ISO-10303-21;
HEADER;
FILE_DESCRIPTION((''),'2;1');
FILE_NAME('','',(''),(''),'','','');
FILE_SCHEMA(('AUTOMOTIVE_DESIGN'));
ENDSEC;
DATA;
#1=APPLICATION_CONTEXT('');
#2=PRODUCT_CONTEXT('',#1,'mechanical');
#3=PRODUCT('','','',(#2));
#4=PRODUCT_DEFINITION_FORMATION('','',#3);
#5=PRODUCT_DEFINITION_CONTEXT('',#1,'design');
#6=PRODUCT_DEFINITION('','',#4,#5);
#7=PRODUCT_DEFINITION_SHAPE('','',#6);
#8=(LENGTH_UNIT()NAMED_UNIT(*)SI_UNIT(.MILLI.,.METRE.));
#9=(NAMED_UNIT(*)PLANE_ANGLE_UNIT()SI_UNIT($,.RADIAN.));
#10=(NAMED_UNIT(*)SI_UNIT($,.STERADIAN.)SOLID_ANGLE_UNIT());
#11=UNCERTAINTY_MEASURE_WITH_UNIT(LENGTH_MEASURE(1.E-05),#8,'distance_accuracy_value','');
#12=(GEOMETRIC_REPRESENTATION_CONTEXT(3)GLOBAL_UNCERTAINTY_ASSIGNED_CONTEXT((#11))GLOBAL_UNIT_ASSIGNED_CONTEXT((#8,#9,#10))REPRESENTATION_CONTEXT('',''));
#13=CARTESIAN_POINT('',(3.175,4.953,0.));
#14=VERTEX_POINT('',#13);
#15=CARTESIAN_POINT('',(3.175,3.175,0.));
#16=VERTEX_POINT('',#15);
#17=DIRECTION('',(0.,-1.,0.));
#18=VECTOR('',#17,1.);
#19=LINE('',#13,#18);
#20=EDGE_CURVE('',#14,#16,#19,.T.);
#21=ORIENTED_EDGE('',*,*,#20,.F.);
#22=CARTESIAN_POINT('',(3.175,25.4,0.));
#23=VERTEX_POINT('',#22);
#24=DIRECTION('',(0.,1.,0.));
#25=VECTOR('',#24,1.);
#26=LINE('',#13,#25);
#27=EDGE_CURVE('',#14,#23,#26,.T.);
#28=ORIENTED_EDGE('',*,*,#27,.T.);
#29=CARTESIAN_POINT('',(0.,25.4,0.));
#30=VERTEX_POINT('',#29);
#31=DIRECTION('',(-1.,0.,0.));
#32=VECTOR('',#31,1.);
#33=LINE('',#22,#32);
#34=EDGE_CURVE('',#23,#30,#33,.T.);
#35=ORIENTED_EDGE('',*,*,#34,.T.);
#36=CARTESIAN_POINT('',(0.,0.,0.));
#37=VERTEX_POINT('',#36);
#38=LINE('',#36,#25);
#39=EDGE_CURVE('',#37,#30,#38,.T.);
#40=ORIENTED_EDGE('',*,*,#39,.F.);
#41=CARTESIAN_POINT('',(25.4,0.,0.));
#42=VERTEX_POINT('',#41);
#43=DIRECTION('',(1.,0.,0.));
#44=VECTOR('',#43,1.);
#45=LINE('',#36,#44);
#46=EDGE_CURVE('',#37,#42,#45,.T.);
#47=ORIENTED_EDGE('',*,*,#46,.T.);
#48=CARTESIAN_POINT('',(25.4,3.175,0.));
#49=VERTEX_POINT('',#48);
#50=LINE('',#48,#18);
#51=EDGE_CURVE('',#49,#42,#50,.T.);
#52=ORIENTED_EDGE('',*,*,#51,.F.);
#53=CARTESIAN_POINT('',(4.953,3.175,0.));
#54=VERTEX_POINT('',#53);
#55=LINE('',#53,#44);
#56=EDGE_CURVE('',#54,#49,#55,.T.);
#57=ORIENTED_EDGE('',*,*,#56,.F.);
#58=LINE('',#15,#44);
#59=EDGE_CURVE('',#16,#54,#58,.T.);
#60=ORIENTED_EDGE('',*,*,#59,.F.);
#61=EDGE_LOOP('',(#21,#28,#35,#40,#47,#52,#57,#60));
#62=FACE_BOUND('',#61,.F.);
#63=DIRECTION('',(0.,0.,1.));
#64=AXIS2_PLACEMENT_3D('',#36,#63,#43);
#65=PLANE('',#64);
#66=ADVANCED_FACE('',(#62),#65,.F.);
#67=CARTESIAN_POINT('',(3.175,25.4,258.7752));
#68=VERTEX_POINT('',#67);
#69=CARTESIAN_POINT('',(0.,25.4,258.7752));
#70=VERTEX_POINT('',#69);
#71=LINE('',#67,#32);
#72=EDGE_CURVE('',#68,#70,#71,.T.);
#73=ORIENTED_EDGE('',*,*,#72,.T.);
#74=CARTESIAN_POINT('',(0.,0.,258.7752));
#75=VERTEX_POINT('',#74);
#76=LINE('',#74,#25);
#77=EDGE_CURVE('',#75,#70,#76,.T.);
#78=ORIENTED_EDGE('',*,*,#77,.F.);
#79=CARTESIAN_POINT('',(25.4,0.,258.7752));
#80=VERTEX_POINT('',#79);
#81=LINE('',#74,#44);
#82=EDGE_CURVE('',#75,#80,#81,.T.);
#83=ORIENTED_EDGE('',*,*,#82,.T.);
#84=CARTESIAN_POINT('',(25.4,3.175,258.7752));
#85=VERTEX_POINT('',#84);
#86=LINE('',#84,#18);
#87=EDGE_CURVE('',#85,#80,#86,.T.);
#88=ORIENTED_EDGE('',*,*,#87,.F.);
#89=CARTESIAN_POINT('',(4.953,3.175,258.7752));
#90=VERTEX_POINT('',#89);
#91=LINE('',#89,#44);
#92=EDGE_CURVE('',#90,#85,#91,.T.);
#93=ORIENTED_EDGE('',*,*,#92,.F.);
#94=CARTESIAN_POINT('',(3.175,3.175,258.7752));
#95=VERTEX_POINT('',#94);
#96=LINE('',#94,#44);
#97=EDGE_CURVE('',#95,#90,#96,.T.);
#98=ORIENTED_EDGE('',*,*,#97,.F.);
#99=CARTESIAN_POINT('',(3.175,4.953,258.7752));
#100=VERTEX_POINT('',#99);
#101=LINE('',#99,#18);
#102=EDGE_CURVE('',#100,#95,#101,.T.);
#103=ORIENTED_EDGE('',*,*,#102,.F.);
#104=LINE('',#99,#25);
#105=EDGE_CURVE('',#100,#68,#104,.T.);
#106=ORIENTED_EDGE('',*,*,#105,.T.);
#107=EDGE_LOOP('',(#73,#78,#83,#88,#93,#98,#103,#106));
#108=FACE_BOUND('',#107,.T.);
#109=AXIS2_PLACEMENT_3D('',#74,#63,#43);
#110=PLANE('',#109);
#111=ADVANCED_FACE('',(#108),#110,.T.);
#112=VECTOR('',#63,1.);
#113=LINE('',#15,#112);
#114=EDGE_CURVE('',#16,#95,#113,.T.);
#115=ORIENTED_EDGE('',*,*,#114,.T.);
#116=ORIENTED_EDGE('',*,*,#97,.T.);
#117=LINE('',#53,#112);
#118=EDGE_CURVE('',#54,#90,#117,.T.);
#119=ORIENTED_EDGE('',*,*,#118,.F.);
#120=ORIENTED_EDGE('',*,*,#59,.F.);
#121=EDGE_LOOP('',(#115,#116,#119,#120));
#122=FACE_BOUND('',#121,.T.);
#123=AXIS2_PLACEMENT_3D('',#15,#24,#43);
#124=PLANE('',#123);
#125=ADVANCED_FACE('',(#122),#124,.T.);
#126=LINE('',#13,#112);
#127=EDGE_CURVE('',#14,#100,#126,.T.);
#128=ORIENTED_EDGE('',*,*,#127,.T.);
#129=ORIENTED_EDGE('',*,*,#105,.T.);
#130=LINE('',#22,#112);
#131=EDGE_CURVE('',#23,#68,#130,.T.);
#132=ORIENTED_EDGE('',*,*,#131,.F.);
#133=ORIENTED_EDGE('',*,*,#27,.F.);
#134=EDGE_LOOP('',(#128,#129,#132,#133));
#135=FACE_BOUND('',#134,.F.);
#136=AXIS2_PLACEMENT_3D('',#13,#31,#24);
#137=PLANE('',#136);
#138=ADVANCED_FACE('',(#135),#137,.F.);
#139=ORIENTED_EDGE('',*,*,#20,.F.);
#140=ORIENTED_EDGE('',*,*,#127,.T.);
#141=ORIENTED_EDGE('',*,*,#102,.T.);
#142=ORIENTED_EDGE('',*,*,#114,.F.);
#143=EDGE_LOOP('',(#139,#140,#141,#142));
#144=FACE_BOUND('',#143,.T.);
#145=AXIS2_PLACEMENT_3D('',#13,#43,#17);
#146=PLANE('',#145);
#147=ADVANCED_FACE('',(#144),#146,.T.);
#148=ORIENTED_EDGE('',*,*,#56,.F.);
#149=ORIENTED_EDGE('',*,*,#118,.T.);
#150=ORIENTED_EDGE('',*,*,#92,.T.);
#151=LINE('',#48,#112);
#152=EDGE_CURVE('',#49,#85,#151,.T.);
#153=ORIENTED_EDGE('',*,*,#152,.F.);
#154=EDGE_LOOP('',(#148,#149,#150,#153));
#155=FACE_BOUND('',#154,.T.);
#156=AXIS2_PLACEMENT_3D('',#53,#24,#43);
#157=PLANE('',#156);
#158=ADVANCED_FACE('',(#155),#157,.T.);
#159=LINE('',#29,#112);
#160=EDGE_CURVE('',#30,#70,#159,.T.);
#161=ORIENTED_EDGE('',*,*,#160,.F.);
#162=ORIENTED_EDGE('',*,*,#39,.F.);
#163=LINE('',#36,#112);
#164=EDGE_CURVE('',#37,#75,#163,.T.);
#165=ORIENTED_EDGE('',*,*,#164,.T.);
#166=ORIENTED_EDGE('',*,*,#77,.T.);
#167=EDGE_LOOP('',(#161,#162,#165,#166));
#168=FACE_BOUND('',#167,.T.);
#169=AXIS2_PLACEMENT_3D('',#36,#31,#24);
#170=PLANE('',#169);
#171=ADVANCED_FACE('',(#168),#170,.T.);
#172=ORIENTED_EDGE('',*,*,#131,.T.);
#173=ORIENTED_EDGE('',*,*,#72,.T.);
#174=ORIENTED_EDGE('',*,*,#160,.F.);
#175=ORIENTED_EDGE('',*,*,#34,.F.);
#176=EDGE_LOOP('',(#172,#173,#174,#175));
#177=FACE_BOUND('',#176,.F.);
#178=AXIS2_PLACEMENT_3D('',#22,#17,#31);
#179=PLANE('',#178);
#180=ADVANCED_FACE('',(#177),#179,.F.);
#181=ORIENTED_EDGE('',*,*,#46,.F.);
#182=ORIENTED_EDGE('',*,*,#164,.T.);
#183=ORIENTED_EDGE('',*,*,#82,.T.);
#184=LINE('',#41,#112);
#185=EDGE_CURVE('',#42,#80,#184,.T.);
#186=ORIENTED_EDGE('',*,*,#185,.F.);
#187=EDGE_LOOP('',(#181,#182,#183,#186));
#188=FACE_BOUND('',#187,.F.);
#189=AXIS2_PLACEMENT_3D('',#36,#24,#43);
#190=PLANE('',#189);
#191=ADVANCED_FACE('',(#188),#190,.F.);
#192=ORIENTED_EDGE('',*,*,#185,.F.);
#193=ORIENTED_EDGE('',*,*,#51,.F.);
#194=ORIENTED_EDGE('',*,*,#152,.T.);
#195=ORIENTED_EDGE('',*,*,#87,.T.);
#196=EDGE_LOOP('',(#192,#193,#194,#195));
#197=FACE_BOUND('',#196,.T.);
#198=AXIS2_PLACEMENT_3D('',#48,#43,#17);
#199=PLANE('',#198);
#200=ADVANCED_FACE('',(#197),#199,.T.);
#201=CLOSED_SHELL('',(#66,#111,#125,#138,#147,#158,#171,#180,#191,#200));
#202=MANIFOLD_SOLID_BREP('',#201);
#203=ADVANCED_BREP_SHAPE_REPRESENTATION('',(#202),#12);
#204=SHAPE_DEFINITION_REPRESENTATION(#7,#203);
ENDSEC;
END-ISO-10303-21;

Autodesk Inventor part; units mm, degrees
ref_plane "YZ Plane" through (0, 0, 0) normal (1, 0, 0) x (0, 1, 0)
ref_plane "XZ Plane" through (0, 0, 0) normal (0, 1, 0) x (-1, 0, 0)
ref_plane "XY Plane" through (0, 0, 0) normal (0, 0, 1) x (1, 0, 0)
sketch "Sketch1" plane through (0, 0, 0) normal (0, 0, 1) x (1, 0, 0)
  line L0 (0, 0) -> (25.4, 0)
  line L1 (0, 0) -> (0, 25.4)
  line L2 (3.175, 4.953) -> (3.175, 25.4)
  line L3 (3.175, 25.4) -> (0, 25.4)
  line L4 (4.953, 3.175) -> (25.4, 3.175)
  line L5 (25.4, 3.175) -> (25.4, 0)
  line L6 (3.175, 4.953) -> (3.175, 3.175)
  line L7 (3.175, 3.175) -> (4.953, 3.175)
  dimension "d6" = 25.4
  dimension "d7" = 25.4
extrude "Extrusion1" add sketch "Sketch1" along normal blind 258.7752
properties part number "angle_M"
